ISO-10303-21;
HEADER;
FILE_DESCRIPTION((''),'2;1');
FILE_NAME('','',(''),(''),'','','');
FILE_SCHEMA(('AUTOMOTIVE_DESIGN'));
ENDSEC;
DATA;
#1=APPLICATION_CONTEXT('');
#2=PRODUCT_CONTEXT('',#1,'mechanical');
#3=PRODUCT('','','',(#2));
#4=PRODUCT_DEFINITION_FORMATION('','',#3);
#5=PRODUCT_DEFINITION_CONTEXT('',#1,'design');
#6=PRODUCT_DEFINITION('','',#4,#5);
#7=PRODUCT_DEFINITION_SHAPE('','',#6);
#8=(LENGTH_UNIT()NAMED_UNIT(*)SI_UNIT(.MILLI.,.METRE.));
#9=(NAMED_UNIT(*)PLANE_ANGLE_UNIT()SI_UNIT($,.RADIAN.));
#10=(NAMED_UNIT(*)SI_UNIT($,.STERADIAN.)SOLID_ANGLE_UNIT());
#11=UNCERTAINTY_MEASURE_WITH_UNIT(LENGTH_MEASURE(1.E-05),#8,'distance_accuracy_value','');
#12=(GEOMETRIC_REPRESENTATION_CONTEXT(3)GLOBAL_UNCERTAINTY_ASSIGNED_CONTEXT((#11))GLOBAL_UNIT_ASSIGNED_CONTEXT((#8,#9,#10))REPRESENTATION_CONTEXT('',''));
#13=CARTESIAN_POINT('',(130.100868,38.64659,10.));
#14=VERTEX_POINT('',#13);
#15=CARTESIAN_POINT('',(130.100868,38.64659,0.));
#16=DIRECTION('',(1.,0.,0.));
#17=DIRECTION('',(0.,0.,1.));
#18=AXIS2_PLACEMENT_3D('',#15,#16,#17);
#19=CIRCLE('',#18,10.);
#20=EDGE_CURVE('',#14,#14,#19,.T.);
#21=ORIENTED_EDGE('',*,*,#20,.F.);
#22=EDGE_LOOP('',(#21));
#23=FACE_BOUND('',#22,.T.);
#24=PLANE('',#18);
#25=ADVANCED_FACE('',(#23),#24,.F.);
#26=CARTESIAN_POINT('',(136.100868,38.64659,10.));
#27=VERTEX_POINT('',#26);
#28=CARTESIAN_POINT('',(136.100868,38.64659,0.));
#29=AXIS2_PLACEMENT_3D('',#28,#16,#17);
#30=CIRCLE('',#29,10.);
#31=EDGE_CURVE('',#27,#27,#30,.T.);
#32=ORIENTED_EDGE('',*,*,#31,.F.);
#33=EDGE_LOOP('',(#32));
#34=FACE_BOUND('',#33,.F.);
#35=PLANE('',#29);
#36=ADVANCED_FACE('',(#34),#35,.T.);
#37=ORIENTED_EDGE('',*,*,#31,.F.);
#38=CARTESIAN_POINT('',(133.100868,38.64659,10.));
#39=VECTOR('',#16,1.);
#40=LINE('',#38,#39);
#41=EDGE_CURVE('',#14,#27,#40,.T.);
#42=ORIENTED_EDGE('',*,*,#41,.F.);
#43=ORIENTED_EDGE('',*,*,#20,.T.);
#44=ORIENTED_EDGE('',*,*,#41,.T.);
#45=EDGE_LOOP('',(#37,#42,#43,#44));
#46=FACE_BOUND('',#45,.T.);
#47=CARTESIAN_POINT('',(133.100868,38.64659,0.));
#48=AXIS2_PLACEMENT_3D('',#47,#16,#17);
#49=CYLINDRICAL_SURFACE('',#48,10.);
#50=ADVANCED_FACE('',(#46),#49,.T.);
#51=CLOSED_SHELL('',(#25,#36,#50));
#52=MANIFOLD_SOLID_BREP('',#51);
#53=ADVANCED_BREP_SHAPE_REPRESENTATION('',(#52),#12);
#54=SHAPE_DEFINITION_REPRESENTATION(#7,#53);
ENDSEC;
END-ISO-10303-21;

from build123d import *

# Parameters (mm, degrees)
SKETCH_1_W = 6
SKETCH_1_H = 10


with BuildPart() as part:
    # 草图1 → 旋转1 (revolve)
    with BuildSketch(Plane.XY, mode=Mode.PRIVATE) as revolve_1_sk:
        with Locations((133.100867636, 43.646589675)):
            Rectangle(SKETCH_1_W, SKETCH_1_H)
    revolve(revolve_1_sk.sketch.rotate(Axis((127.000400996, 38.646589675, 0), (1, 0, 0)), 90), axis=Axis((127.000400996, 38.646589675, 0), (1, 0, 0)))  # turned: the seam where the file's is


solid = part.part
